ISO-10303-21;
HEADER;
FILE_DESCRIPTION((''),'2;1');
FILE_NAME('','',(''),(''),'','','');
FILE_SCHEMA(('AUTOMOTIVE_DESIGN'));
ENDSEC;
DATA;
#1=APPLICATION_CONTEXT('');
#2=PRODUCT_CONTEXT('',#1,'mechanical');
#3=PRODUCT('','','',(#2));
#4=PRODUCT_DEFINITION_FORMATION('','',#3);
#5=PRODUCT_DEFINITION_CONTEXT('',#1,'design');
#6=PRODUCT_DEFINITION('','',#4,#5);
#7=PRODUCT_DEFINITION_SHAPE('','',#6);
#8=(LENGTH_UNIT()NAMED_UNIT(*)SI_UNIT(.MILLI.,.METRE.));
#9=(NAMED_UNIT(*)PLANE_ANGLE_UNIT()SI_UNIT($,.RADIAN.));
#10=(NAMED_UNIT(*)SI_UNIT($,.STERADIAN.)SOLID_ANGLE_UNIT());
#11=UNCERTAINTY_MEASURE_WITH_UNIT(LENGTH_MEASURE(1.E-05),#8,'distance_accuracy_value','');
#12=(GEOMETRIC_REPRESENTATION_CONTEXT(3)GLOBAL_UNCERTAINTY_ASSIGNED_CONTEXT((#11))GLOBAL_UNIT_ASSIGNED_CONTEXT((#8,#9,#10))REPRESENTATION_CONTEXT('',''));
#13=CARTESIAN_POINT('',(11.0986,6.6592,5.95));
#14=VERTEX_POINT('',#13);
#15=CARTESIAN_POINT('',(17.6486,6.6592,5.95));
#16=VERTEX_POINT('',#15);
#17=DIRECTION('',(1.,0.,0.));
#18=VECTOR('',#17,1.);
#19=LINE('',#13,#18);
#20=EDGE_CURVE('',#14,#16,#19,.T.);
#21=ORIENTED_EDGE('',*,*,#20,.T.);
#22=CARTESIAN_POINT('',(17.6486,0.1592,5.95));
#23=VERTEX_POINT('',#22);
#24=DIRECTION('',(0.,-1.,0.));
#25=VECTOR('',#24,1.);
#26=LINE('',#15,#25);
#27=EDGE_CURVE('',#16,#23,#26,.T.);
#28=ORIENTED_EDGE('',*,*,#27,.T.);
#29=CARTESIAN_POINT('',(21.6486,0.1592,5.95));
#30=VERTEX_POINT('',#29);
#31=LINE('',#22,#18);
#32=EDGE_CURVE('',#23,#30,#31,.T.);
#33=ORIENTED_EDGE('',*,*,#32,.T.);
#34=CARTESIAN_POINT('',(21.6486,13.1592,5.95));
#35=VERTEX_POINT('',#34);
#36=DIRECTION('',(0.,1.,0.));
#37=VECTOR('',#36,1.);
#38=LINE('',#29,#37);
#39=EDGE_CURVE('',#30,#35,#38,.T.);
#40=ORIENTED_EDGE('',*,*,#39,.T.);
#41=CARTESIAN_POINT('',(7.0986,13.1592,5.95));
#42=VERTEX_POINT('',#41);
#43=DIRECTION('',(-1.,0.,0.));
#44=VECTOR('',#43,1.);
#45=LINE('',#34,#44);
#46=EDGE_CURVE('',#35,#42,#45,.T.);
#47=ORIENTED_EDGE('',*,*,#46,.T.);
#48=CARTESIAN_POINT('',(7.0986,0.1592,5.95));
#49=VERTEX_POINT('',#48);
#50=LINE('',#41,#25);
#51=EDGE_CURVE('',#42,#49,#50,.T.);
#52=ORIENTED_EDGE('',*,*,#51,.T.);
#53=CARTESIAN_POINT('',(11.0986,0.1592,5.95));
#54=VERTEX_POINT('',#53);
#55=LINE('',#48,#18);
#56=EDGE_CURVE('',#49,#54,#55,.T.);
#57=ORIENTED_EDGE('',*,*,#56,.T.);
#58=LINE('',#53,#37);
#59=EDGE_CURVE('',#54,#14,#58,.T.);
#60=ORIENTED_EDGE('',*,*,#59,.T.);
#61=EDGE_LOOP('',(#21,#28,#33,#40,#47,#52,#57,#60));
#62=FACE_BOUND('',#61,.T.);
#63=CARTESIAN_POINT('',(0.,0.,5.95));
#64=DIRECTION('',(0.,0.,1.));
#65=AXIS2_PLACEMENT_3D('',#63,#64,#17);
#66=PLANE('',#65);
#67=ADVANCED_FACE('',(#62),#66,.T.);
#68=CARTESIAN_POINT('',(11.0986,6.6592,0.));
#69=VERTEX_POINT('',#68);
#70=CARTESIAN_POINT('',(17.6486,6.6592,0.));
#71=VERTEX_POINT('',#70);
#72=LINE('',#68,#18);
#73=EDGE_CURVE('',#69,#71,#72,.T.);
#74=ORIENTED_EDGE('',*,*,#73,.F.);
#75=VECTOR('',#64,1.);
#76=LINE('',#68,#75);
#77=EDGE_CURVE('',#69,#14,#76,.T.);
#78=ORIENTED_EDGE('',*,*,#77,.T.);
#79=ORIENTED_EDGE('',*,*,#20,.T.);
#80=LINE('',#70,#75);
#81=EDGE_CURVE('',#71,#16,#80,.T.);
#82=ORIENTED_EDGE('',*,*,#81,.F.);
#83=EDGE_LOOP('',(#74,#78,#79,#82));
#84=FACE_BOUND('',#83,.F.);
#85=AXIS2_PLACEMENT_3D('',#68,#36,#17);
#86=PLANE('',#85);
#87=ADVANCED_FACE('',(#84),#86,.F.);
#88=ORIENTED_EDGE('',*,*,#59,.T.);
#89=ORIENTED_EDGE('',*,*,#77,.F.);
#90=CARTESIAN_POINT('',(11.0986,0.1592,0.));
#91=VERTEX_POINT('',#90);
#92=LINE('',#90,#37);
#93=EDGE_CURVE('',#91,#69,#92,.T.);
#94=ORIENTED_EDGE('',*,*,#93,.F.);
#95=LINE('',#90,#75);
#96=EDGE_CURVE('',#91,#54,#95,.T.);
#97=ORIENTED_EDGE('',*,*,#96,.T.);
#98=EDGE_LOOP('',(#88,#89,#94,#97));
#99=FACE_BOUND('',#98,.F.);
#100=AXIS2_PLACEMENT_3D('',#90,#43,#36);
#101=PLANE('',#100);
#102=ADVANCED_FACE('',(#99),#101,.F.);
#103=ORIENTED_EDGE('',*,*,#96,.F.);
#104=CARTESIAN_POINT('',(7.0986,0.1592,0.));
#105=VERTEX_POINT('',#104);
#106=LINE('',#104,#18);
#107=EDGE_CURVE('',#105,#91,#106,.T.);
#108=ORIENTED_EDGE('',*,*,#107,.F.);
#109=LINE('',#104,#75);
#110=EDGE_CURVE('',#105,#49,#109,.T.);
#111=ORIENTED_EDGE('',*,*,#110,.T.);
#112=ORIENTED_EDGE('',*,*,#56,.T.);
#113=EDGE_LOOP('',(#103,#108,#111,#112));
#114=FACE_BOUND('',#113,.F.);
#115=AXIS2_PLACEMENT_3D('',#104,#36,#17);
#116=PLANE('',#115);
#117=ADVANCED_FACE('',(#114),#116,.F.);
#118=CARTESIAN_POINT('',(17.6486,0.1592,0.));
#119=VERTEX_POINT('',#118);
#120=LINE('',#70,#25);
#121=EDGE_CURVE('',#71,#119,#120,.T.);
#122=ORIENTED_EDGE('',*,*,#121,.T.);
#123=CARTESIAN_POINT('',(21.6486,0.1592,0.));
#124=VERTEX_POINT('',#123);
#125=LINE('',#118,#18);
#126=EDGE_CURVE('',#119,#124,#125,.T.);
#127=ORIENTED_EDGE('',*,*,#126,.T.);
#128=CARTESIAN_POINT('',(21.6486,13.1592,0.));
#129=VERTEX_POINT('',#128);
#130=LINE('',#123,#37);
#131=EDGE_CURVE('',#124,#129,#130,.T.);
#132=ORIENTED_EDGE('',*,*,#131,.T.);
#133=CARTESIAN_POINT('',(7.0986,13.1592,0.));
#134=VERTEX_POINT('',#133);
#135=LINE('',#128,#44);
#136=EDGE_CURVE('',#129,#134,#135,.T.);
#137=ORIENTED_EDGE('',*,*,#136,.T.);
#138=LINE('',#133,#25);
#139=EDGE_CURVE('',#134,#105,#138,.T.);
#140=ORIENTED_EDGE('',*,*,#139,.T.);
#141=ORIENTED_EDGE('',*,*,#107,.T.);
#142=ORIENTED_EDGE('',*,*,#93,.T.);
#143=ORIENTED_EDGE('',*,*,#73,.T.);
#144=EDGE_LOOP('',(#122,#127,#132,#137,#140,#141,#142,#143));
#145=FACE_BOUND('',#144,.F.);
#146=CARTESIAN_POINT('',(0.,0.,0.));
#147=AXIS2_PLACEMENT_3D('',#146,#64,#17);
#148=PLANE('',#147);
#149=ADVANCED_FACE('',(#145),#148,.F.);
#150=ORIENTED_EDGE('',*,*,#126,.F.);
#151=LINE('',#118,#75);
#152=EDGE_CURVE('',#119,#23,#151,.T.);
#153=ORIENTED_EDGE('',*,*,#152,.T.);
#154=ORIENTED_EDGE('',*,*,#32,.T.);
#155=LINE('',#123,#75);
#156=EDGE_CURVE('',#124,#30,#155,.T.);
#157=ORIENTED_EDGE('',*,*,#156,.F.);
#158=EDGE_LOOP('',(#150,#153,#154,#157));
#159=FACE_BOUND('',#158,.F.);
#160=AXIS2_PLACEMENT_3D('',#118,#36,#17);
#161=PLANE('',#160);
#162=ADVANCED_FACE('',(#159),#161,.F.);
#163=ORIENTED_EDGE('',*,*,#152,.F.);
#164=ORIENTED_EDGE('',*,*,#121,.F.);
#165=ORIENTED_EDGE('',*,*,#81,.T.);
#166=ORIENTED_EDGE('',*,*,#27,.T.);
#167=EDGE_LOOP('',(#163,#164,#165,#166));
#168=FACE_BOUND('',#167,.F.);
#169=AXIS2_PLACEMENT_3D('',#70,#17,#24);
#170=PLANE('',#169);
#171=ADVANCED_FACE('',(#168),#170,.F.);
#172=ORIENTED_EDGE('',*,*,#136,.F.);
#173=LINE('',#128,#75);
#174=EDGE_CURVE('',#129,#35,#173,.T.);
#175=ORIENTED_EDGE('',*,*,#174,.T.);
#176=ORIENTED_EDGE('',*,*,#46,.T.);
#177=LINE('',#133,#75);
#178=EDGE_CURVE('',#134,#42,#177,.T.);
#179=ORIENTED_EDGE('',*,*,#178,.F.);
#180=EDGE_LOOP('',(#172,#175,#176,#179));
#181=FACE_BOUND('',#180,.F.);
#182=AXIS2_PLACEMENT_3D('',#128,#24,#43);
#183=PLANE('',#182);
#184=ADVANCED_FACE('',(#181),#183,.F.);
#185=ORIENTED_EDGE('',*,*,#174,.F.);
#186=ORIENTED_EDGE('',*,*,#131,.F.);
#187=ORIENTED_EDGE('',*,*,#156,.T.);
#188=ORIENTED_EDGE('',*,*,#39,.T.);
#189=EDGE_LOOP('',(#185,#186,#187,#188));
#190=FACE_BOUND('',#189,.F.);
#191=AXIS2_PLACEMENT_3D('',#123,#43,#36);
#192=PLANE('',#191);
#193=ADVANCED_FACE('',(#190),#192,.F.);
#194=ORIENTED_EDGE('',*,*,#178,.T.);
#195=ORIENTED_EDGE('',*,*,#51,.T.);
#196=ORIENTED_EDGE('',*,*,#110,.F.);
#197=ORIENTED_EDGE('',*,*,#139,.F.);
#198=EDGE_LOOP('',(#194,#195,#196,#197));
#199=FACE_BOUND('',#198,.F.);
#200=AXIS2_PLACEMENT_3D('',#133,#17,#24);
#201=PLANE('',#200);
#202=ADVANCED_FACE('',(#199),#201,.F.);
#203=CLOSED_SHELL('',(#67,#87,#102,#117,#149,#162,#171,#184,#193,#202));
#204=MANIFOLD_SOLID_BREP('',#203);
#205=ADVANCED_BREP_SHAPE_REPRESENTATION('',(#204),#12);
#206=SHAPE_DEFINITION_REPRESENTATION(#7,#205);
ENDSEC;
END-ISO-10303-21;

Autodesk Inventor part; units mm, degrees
ref_plane "YZ Plane" through (0, 0, 0) normal (1, 0, 0) x (0, 1, 0)
ref_plane "XZ Plane" through (0, 0, 0) normal (0, 1, 0) x (-1, 0, 0)
ref_plane "XY Plane" through (0, 0, 0) normal (0, 0, 1) x (1, 0, 0)
sketch "Náčrt1" plane through (0, 0, 0) normal (0, 0, 1) x (1, 0, 0)
  line L0 (7.0986, 0.1592) -> (11.0986, 0.1592)
  line L1 (11.0986, 0.1592) -> (11.0986, 6.6592)
  line L2 (11.0986, 6.6592) -> (17.6486, 6.6592)
  line L3 (17.6486, 6.6592) -> (17.6486, 0.1592)
  line L4 (17.6486, 0.1592) -> (21.6486, 0.1592)
  line L5 (21.6486, 0.1592) -> (21.6486, 13.1592)
  line L6 (21.6486, 13.1592) -> (7.0986, 13.1592)
  line L7 (7.0986, 13.1592) -> (7.0986, 0.1592)
  point P0 (0, 0)
  dimension "d0" = 6.55
  dimension "d1" = 4
  dimension "d2" = 4
  dimension "d3" = 6.5
  dimension "d4" = 13
extrude "Vysunutí1" add sketch "Náčrt1" along normal blind 5.95
equation "\"d2\" = d1"
properties part number "Spacer"
